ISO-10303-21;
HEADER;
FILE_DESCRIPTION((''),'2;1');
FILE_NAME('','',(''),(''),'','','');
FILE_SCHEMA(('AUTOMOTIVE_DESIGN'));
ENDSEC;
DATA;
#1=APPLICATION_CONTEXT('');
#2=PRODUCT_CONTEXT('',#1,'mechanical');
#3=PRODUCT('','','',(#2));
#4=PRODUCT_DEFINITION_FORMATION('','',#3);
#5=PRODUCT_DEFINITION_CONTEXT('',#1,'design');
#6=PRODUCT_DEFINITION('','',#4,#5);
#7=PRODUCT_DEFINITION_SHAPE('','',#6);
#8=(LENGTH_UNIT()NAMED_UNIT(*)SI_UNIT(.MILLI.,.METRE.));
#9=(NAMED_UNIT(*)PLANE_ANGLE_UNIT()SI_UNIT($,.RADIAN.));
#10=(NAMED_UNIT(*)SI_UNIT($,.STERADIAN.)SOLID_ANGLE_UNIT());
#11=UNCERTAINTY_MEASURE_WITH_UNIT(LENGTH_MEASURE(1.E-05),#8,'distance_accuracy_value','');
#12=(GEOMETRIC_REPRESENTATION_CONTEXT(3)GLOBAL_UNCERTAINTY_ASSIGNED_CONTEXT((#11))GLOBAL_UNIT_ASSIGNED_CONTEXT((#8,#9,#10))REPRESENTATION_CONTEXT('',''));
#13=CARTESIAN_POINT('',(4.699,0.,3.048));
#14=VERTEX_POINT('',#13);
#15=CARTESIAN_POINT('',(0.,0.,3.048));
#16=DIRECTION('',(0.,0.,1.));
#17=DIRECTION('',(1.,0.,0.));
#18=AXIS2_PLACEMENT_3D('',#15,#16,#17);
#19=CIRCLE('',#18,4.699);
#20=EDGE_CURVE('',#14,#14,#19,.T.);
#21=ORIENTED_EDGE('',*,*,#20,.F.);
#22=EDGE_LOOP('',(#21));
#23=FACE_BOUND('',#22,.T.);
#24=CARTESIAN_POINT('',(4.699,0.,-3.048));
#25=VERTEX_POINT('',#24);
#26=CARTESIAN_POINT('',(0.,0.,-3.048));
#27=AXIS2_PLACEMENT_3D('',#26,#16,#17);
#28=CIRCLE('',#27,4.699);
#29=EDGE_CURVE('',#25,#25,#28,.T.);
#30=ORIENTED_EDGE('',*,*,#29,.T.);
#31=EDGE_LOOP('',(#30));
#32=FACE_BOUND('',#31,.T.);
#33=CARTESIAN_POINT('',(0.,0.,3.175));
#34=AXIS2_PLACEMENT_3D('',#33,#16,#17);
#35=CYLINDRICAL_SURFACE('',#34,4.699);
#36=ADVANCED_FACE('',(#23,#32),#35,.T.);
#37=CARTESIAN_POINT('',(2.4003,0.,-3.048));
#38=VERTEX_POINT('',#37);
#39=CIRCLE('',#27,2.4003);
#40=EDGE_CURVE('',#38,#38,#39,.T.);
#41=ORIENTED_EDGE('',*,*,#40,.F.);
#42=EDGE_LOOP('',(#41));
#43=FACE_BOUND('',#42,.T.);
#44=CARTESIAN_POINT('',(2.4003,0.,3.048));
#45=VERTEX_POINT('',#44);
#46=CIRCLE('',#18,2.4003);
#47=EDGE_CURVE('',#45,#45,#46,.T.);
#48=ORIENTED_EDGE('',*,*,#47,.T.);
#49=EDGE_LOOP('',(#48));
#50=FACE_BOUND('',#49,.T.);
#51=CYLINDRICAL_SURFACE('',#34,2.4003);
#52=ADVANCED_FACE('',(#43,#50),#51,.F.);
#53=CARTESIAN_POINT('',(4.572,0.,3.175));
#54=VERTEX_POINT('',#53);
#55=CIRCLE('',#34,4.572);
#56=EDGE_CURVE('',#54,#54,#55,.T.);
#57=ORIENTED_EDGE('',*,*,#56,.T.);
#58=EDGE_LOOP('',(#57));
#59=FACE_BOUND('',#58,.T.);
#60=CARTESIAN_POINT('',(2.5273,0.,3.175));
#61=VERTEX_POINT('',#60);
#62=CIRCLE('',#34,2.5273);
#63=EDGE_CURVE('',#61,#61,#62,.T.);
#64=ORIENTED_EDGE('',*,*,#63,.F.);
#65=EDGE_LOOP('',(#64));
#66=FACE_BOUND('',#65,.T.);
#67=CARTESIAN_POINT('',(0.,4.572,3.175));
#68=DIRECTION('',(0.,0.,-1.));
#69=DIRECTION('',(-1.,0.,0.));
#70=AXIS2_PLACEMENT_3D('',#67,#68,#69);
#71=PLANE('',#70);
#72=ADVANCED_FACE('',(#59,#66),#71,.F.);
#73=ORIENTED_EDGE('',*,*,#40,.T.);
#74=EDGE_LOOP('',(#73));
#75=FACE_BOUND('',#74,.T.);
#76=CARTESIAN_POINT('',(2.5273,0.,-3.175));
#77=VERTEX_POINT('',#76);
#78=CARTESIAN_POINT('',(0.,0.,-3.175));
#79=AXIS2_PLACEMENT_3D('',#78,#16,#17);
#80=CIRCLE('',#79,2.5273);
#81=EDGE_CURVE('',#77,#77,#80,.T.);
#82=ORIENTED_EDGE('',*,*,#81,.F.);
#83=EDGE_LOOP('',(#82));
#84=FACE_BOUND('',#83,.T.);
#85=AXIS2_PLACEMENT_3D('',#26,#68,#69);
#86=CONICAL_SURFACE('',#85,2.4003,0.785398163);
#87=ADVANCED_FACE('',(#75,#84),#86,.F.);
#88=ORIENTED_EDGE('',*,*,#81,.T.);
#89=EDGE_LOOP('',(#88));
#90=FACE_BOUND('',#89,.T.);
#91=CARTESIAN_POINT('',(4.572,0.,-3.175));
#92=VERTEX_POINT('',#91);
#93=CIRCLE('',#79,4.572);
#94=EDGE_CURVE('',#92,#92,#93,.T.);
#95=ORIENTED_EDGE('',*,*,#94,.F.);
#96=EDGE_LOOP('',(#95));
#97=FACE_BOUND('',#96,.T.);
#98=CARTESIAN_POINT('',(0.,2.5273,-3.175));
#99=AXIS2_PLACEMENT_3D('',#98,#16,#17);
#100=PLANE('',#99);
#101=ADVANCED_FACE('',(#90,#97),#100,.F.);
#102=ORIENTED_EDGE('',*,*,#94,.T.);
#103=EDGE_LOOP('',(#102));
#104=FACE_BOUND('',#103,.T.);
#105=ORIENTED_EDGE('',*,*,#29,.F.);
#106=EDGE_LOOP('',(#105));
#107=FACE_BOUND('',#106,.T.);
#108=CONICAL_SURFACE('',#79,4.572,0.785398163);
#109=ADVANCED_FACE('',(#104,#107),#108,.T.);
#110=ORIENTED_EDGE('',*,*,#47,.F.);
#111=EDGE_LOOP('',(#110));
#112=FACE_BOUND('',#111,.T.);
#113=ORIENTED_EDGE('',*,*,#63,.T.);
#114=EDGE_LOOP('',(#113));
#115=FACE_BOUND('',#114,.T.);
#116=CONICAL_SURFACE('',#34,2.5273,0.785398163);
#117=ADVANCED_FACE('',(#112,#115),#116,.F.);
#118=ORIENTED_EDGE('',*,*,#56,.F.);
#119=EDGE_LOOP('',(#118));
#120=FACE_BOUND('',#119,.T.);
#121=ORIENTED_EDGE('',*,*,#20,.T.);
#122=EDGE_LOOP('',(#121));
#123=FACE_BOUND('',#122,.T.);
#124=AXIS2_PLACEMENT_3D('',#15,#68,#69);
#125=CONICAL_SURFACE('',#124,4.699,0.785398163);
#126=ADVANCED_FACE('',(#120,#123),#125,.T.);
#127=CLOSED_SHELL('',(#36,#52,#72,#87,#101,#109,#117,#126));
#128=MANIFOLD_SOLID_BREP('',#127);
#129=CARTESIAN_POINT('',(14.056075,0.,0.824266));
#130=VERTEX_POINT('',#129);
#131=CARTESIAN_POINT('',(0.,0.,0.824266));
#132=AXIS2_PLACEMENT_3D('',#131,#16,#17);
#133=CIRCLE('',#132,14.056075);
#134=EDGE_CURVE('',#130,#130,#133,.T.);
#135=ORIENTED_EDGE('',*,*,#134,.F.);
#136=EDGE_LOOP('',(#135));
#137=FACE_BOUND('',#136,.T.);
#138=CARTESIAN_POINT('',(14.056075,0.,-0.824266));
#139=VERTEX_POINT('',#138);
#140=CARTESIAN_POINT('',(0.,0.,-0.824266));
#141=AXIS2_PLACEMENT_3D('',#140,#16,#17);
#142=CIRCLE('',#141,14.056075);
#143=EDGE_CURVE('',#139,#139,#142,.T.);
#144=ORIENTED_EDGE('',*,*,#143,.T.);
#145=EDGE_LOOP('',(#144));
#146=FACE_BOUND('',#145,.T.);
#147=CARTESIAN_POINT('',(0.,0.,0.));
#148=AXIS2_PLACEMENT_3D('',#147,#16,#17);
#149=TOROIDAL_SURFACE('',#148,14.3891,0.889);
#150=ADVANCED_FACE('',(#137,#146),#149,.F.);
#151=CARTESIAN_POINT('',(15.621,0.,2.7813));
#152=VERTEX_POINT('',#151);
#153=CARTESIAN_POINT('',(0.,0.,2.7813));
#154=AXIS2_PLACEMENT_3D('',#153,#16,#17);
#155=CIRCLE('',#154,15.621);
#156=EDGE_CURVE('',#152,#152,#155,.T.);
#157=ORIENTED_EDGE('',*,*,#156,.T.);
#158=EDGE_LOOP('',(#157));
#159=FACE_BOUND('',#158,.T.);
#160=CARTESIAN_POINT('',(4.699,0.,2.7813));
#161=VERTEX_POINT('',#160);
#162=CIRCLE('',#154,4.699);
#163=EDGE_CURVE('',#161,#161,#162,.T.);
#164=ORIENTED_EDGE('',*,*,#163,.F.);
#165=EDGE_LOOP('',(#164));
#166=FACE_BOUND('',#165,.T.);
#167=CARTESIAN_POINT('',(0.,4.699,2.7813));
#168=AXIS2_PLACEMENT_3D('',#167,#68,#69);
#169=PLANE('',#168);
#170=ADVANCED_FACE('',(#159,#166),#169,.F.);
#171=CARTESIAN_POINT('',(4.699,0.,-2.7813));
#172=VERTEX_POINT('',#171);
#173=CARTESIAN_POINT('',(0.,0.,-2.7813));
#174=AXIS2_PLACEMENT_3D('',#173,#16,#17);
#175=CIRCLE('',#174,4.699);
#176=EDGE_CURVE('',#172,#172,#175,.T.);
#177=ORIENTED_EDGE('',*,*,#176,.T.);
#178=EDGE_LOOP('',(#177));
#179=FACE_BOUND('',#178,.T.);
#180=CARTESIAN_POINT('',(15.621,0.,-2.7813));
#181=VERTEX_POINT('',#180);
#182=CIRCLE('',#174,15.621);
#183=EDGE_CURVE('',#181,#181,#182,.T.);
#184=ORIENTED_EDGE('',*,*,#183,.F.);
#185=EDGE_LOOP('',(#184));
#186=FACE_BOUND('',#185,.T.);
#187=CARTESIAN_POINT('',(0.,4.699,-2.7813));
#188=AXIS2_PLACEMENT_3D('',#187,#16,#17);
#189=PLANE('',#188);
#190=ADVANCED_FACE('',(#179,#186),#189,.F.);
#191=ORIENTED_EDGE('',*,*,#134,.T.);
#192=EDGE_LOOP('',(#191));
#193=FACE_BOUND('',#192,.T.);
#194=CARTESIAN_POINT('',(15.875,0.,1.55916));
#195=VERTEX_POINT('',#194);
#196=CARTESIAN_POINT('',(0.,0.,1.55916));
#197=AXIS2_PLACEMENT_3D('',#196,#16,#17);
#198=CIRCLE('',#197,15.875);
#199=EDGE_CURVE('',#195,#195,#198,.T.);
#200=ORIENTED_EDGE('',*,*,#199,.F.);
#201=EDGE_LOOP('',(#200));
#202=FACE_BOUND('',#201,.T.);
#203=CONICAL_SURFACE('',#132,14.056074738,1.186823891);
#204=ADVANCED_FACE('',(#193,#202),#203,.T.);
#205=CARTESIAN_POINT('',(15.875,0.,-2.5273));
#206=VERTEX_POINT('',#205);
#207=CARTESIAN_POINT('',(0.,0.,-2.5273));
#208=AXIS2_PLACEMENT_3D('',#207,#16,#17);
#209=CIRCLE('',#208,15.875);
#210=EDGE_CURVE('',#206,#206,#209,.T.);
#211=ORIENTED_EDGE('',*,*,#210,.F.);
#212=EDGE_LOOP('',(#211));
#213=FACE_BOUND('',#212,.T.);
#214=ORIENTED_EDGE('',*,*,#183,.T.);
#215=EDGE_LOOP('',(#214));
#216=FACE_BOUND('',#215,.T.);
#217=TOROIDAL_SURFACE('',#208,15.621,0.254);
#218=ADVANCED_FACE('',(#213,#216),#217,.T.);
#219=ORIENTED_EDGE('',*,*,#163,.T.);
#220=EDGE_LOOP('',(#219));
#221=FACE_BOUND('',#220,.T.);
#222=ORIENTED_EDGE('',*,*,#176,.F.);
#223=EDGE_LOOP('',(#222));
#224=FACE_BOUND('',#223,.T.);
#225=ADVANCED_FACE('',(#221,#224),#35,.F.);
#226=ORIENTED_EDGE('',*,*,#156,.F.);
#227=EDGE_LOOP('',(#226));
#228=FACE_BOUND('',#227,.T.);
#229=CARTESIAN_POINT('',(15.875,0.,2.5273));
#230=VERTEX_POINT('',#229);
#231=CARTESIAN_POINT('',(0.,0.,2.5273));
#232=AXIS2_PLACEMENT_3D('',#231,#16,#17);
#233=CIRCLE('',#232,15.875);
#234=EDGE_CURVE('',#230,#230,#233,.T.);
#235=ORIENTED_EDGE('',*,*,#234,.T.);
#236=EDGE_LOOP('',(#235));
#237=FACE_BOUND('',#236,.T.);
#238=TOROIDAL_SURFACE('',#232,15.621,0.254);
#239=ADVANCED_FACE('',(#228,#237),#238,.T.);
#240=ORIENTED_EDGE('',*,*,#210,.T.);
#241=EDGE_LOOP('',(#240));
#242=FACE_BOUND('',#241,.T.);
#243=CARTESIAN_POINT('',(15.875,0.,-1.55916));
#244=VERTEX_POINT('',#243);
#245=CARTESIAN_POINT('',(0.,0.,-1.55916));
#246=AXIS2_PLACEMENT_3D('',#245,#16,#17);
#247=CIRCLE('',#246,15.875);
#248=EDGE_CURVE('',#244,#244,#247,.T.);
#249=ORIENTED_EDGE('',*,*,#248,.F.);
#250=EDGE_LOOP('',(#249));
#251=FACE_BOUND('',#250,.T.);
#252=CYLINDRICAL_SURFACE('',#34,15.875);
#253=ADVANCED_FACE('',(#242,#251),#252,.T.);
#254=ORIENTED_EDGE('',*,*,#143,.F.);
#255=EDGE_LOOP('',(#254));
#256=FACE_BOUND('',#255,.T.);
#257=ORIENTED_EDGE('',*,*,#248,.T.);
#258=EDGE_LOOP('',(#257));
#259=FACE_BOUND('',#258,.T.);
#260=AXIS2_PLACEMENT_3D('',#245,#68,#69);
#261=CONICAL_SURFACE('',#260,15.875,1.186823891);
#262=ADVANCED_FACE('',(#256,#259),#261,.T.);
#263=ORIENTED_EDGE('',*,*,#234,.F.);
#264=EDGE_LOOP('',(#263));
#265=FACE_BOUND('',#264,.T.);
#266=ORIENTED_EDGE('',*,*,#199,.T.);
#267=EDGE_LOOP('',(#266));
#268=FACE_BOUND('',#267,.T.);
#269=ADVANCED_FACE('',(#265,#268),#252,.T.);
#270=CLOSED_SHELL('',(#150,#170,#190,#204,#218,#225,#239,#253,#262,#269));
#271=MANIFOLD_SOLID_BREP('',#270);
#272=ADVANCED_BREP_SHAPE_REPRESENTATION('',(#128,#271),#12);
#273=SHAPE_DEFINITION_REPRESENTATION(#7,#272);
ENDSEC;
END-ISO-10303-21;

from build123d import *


with BuildPart() as part:
    # Sketch2 → Bushing Revolve (revolve)
    with BuildSketch(Plane(origin=(0, 0, 0), x_dir=(0, 0, -1), z_dir=(1, 0, 0)), mode=Mode.PRIVATE) as bushing_revolve_sk:
        Polygon((-3.175, 4.572), (-3.175, 2.5273), (-3.048, 2.4003), (3.048, 2.4003), (3.175, 2.5273), (3.175, 4.572), (3.048, 4.699), (-3.048, 4.699), align=None)
    revolve(bushing_revolve_sk.sketch.rotate(Axis((0, 0, 3.175), (0, 0, -1)), 90), axis=Axis((0, 0, 3.175), (0, 0, -1)))


with BuildPart() as body_2:
    # Sketch3 → Sheave Revolve (revolve)
    with BuildSketch(Plane(origin=(0, 0, 0), x_dir=(0, 0, -1), z_dir=(1, 0, 0)), mode=Mode.PRIVATE) as sheave_revolve_sk:
        with BuildLine():
            Line((2.7813, 4.699), (-2.7813, 4.699))
            Line((-2.7813, 4.699), (-2.7813, 15.621))
            ThreePointArc((-2.7813, 15.621), (-2.706905122, 15.800605122), (-2.5273, 15.875))
            Line((-2.5273, 15.875), (-1.559159955, 15.875))
            Line((-1.559159955, 15.875), (-0.824266447, 14.056074738))
            ThreePointArc((-0.824266447, 14.056074738), (0, 13.5001), (0.824266447, 14.056074738))
            Line((0.824266447, 14.056074738), (1.559159955, 15.875))
            Line((1.559159955, 15.875), (2.5273, 15.875))
            ThreePointArc((2.5273, 15.875), (2.706905122, 15.800605122), (2.7813, 15.621))
            Line((2.7813, 15.621), (2.7813, 4.699))
        make_face()
    revolve(sheave_revolve_sk.sketch.rotate(Axis((0, 0, 3.175), (0, 0, -1)), 90), axis=Axis((0, 0, 3.175), (0, 0, -1)))


solid = Compound([part.part, body_2.part])
